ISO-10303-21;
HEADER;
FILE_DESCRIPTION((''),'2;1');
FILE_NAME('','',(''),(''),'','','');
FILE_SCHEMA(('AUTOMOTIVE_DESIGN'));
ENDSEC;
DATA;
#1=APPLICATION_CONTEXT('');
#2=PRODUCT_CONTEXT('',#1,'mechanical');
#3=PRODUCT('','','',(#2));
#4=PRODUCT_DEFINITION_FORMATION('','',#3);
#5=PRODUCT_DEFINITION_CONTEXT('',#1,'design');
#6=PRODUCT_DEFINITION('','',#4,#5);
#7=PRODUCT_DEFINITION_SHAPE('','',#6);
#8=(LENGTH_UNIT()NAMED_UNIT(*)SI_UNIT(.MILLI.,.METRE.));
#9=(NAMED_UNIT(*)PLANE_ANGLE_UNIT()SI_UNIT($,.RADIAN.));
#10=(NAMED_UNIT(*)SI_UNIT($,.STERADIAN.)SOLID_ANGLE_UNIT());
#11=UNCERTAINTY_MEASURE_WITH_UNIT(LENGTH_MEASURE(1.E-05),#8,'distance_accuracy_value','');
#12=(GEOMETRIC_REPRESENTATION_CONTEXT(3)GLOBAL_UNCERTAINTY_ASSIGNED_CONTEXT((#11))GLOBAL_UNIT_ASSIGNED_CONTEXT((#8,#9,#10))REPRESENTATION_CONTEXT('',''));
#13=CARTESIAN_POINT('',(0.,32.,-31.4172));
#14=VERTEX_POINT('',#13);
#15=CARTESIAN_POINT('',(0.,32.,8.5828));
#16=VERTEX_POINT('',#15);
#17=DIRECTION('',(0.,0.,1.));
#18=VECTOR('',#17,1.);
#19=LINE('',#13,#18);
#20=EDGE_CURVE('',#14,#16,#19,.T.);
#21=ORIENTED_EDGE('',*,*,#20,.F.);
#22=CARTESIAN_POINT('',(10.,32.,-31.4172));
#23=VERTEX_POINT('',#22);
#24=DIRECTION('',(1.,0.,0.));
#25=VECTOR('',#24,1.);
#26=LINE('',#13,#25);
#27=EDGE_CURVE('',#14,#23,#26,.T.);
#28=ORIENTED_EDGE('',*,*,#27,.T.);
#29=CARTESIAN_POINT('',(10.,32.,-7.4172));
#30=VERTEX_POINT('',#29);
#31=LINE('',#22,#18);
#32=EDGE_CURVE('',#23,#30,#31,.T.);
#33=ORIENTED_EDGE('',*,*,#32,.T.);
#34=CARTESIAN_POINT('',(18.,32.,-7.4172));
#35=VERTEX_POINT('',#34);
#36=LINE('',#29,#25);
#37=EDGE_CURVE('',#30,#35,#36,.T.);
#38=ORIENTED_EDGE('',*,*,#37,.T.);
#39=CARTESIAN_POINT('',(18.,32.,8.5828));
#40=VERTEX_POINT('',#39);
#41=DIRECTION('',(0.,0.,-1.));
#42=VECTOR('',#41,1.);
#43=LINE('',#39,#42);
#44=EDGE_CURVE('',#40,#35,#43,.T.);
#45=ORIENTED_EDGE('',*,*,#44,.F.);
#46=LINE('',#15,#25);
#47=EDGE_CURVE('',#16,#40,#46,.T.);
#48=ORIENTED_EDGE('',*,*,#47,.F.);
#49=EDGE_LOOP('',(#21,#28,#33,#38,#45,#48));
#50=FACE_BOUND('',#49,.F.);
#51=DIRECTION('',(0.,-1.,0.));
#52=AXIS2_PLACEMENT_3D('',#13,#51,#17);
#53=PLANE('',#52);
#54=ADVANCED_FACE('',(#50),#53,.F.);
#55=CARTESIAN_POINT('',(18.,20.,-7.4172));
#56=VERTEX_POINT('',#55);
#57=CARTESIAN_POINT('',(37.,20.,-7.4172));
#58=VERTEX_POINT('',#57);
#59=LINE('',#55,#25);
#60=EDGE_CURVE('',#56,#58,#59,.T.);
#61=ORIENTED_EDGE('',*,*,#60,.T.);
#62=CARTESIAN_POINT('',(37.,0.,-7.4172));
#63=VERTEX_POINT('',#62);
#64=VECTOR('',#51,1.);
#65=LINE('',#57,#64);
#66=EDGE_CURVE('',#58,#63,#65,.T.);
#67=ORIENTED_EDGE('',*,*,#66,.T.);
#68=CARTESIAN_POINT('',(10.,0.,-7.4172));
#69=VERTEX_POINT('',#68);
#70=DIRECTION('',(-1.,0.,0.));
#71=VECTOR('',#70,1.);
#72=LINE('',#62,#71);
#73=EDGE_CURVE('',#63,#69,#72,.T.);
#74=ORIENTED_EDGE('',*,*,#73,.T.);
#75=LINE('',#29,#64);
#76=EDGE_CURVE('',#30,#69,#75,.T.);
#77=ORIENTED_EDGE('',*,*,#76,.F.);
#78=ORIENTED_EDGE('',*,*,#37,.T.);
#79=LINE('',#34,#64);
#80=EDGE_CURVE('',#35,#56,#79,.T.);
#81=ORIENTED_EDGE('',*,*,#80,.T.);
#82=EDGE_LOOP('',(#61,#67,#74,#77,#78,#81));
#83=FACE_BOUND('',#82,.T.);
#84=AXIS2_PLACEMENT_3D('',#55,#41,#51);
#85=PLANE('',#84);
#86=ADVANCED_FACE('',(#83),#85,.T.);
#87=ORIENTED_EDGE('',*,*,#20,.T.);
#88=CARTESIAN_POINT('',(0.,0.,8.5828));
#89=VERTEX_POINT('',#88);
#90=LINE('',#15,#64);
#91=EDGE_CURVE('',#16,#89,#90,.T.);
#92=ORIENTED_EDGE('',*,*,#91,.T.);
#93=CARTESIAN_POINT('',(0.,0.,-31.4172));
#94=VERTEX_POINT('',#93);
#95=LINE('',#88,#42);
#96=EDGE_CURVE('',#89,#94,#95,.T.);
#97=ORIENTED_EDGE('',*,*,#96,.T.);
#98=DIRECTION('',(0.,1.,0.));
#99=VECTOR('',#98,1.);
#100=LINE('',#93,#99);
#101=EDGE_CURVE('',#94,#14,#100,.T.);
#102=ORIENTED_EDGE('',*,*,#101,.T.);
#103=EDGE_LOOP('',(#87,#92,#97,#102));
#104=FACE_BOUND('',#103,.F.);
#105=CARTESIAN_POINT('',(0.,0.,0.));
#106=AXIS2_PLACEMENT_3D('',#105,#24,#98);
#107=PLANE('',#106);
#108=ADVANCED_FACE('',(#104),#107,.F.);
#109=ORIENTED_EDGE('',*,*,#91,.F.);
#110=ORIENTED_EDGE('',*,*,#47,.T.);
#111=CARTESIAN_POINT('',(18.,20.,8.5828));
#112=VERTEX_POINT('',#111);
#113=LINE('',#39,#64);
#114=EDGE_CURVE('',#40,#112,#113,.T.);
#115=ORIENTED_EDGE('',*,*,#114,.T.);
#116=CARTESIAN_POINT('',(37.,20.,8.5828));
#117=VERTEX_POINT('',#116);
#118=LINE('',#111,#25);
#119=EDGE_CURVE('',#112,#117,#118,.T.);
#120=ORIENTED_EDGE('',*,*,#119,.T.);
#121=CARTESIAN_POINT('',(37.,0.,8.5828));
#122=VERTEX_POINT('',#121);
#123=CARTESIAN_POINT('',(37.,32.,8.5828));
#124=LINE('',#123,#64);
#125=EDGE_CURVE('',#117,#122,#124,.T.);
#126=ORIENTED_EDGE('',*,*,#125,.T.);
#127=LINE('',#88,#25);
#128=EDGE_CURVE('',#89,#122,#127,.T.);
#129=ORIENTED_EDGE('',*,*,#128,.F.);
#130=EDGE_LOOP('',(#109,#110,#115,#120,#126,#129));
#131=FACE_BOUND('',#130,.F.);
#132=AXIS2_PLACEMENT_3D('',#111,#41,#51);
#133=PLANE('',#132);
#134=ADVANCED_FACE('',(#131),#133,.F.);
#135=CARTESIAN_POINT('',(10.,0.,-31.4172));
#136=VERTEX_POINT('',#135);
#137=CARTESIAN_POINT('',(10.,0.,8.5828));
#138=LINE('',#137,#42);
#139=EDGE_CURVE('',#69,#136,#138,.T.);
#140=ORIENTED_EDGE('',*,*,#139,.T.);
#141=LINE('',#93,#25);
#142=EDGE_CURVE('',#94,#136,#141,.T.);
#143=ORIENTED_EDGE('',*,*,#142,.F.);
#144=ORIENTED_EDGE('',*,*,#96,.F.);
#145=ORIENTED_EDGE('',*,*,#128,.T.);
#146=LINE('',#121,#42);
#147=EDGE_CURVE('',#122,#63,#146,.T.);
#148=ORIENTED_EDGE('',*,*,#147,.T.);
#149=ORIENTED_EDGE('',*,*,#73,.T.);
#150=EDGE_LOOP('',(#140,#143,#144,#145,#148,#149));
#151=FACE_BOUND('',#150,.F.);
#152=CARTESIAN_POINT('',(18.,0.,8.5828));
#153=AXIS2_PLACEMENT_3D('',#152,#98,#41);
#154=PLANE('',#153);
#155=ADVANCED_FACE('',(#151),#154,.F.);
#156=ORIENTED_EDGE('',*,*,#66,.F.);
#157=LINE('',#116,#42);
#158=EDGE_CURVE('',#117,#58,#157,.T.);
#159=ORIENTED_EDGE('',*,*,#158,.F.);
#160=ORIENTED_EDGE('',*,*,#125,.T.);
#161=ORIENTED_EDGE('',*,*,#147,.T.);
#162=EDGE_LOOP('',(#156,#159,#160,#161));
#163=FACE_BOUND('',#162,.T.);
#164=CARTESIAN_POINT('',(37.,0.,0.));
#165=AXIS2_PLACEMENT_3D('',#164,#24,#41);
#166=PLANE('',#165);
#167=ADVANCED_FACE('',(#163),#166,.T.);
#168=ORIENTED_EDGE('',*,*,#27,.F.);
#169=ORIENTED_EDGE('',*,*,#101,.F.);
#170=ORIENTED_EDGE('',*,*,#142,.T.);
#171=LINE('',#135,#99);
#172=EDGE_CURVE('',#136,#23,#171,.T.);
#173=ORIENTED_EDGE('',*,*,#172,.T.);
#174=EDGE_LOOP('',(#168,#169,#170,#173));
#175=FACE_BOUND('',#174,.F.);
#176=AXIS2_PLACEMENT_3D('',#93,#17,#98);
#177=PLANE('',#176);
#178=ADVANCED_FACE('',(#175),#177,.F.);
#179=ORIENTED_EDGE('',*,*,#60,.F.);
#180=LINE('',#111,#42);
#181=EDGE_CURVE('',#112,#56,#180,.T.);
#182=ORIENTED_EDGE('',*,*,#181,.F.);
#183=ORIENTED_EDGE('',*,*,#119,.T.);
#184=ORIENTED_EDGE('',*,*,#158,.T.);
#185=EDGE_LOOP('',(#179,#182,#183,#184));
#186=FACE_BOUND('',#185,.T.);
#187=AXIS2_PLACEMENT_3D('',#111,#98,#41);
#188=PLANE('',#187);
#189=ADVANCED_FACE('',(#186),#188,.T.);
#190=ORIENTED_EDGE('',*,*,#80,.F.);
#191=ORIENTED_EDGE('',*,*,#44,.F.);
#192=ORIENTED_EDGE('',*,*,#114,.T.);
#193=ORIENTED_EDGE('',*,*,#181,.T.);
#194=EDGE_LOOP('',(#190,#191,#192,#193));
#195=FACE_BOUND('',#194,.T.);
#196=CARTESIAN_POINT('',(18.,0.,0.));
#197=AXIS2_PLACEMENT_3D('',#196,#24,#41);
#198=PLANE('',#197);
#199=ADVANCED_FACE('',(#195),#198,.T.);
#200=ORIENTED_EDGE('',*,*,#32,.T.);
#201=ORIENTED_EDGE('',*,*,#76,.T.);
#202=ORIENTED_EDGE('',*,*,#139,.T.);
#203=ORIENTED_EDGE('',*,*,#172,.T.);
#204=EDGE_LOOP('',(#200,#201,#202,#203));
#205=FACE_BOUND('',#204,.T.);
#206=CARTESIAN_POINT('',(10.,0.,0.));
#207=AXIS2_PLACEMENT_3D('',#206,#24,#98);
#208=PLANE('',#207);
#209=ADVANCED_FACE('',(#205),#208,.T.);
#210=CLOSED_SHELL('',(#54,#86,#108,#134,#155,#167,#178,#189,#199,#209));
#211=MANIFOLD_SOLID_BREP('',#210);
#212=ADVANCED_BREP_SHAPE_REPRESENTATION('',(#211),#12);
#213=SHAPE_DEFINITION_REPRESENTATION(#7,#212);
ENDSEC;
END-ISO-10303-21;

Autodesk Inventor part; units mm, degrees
ref_plane "YZ Plane" through (0, 0, 0) normal (1, 0, 0) x (0, 1, 0)
ref_plane "XZ Plane" through (0, 0, 0) normal (0, 1, 0) x (-1, 0, 0)
ref_plane "XY Plane" through (0, 0, 0) normal (0, 0, 1) x (1, 0, 0)
sketch "Sketch1" plane through (0, 0, 0) normal (1, 0, 0) x (0, 1, 0)
  point P0 (0, 0)
sketch "Sketch2" plane through (0, 0, 0) normal (1, 0, 0) x (0, 1, 0)
  line L0 (32, 8.5828) -> (0, 8.5828)
  line L1 (0, 8.5828) -> (0, -31.4172)
  line L2 (0, -31.4172) -> (32, -31.4172)
  line L3 (32, -31.4172) -> (32, 8.5828)
  point P0 (0, 0)
  dimension "d0" = 32
  dimension "d1" = 40
extrude "Extrusion1" add sketch "Sketch2" along normal blind 10
sketch "Sketch3" plane through (10, 0, 0) normal (1, 0, 0) x (0, 0, -1)
  point P0 (0, 0)
sketch "Sketch4" plane through (10, 0, 0) normal (1, 0, 0) x (0, 0, -1)
  line L0 (-8.5828, 32) -> (-8.5828, 0) projected
  line L1 (-8.5828, 0) -> (31.4172, 0) projected
  line L2 (-8.5828, 32) -> (7.4172, 32)
  line L3 (7.4172, 32) -> (7.4172, 0)
  line L4 (7.4172, 0) -> (-8.5828, 0)
  line L5 (-8.5828, 0) -> (-8.5828, 32)
  point P0 (0, 0)
  dimension "d4" = 16
extrude "Extrusion2" add sketch "Sketch4" along normal blind 8
sketch "Sketch5" plane through (18, 0, 0) normal (1, 0, 0) x (0, 0, -1)
  line L0 (-8.5828, 32) -> (-8.5828, 0) projected
  line L1 (-8.5828, 0) -> (31.4172, 0) projected
  line L2 (-8.5828, 20) -> (7.4172, 20)
  line L3 (7.4172, 20) -> (7.4172, 0)
  line L4 (7.4172, 0) -> (-8.5828, 0)
  line L5 (-8.5828, 0) -> (-8.5828, 20)
  point P0 (0, 0)
  dimension "d7" = 16
  dimension "d8" = 20
extrude "Extrusion3" add sketch "Sketch5" along normal blind 19
properties part number "lab1ex1"
